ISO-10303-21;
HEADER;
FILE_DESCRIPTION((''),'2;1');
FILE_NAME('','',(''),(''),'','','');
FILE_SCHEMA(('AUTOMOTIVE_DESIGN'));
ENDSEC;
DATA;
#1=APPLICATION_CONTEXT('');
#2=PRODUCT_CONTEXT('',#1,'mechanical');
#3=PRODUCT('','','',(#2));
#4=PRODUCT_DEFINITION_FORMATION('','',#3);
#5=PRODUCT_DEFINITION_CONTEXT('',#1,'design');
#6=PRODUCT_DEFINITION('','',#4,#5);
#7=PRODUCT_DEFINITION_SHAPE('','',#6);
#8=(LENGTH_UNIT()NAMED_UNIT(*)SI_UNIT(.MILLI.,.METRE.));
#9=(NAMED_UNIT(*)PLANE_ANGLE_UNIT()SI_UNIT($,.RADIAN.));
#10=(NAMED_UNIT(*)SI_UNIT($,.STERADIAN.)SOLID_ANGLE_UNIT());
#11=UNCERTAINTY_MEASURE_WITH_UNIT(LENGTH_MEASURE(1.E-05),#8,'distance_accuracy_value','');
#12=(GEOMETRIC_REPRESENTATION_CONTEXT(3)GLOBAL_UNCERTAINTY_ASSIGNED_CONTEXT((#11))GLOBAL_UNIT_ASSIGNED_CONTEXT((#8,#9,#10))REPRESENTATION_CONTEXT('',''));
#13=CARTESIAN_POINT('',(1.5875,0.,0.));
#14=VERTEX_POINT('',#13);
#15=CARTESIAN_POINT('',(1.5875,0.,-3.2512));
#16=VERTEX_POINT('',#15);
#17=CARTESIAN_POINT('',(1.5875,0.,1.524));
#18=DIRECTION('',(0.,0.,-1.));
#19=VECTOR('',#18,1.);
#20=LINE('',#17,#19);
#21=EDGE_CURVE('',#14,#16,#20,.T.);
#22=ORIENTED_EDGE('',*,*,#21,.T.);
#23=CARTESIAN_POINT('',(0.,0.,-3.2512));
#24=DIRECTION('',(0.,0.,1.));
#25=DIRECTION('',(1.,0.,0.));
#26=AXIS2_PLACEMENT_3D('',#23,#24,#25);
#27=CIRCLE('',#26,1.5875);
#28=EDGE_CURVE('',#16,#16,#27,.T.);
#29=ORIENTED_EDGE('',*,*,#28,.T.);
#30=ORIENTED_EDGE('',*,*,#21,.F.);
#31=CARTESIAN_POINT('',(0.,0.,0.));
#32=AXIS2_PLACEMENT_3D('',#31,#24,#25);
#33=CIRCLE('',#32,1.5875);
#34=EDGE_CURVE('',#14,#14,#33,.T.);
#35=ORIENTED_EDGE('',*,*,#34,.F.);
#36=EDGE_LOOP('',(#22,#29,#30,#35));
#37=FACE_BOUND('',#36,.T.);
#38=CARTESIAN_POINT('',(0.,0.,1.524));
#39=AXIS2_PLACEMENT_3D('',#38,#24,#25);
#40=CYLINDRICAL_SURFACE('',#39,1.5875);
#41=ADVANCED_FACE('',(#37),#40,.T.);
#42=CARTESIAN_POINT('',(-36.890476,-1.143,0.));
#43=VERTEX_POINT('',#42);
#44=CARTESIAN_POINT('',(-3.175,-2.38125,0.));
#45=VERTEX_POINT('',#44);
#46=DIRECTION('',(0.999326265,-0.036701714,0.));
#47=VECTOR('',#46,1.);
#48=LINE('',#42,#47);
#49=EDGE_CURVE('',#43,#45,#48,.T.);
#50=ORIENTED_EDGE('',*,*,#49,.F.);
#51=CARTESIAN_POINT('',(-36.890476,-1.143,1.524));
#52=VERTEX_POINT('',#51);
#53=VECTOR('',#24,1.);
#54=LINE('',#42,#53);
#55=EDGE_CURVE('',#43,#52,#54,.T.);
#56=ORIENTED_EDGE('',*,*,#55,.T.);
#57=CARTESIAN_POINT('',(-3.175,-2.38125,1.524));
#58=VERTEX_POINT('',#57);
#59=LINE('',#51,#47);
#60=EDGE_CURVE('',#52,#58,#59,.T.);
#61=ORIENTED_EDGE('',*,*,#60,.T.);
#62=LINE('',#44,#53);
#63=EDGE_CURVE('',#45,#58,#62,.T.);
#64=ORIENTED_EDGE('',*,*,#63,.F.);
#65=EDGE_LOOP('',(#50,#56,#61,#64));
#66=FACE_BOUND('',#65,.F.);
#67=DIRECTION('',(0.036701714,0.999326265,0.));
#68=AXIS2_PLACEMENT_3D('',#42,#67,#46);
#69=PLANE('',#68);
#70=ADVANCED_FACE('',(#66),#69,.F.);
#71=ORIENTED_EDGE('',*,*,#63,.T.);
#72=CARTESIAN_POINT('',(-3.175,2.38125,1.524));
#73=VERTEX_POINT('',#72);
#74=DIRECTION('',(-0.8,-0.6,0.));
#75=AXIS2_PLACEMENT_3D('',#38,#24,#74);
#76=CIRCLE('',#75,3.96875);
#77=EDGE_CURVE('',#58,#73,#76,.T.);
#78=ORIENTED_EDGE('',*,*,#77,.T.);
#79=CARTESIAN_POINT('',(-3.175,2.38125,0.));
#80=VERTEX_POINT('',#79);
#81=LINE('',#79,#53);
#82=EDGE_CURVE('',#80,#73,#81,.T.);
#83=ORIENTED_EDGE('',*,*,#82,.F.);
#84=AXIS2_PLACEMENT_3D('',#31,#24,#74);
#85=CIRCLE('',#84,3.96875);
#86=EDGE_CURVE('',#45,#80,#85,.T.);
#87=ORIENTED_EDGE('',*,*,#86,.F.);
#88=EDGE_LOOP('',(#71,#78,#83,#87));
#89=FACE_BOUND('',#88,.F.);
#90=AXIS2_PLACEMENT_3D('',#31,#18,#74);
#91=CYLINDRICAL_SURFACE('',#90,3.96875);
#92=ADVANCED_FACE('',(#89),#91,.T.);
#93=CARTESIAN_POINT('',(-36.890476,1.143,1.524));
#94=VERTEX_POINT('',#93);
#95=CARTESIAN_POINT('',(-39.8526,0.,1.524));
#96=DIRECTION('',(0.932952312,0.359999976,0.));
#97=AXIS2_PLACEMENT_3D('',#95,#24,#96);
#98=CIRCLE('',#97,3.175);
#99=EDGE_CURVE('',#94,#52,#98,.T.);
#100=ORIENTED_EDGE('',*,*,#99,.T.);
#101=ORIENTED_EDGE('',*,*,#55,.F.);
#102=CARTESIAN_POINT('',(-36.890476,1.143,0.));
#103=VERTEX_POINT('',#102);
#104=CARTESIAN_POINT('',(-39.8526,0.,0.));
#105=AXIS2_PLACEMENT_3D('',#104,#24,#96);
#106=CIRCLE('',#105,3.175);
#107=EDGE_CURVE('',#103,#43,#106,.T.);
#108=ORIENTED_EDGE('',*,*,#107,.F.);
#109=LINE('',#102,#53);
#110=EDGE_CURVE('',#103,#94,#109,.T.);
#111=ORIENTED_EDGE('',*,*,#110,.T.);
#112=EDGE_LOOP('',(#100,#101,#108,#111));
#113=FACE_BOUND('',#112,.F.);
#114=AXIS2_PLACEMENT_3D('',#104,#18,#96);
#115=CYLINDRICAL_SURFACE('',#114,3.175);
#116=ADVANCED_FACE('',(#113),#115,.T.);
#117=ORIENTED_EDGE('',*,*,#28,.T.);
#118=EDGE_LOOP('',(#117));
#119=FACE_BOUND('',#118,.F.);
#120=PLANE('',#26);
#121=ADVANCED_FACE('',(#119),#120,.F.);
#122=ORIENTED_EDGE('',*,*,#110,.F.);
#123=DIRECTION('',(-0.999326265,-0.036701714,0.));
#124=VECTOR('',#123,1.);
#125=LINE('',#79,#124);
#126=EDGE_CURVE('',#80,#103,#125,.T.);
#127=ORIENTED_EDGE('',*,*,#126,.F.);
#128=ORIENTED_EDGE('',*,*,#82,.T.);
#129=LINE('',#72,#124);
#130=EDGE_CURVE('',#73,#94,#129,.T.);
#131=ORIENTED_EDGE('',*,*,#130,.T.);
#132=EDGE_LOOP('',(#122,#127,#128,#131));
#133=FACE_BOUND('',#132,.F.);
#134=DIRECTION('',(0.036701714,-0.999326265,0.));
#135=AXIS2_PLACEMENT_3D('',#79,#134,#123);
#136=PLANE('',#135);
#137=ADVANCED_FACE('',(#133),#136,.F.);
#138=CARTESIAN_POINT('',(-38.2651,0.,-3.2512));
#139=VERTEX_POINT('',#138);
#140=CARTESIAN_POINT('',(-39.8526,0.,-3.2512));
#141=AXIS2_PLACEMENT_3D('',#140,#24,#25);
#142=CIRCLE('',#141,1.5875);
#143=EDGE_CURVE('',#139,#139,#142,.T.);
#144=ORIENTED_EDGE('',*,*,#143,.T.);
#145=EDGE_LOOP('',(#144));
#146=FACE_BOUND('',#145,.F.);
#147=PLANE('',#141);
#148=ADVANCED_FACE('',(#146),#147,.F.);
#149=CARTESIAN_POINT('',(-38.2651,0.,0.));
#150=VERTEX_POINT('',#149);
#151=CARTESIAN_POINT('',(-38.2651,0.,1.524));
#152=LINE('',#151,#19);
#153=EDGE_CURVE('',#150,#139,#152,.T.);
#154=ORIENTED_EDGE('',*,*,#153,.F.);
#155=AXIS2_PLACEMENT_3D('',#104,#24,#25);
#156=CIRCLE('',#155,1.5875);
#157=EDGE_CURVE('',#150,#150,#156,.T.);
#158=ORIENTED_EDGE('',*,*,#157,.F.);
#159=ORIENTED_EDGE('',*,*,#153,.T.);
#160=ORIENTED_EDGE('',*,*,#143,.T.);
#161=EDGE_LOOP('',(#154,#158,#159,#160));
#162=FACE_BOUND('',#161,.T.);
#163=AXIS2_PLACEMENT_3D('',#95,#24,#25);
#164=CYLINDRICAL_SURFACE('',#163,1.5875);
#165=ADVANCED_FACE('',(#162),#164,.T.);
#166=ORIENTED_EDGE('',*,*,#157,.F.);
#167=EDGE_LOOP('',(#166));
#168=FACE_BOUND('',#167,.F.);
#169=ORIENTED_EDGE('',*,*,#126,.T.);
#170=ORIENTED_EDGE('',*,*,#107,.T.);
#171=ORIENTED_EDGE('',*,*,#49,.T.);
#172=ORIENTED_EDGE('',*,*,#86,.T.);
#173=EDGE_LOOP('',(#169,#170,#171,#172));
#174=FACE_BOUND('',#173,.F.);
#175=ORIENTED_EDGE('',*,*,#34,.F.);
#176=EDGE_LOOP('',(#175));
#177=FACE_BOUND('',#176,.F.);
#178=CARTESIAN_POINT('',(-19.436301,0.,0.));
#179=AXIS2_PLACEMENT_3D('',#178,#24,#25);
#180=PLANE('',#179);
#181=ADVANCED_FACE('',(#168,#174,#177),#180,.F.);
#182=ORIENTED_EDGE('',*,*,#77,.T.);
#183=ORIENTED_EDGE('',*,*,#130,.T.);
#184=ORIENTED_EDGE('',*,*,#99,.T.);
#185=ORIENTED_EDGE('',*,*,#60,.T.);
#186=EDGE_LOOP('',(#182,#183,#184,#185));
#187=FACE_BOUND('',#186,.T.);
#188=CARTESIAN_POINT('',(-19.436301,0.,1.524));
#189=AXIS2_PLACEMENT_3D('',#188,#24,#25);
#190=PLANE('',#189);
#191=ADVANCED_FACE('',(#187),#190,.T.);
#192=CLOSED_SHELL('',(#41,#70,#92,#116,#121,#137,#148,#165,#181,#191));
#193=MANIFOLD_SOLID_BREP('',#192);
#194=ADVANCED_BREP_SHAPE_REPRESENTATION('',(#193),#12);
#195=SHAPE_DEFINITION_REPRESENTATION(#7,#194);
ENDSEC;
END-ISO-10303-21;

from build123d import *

# Parameters (mm, degrees)
F0_R     = 1.5875
F1_DEPTH = 1.524
F2_R     = 1.5875
F3_DEPTH = 4.7752


with BuildPart() as f1:
    # F0 (on Top) → F1 (new body)
    with BuildSketch(Plane.XY):
        with BuildLine():
            Line((-36.890476, -1.143), (-3.175, -2.38125))
            ThreePointArc((-3.175, -2.38125), (3.96875, 0), (-3.175, 2.38125))
            Line((-3.175, 2.38125), (-36.890476, 1.143))
            ThreePointArc((-36.890476, 1.143), (-43.0276, 0), (-36.890476, -1.143))
        make_face()
        with Locations((-39.8526, 0)):
            Circle(F0_R, mode=Mode.SUBTRACT)
        Circle(F0_R, mode=Mode.SUBTRACT)
    extrude(amount=F1_DEPTH)

    # F2 (on face) → F3 (join)
    with BuildSketch(Plane.XY.offset(1.524)):
        with Locations((-39.8526, 0)):
            Circle(F2_R)
        Circle(F2_R)
    extrude(amount=-F3_DEPTH)


solid = f1.part
